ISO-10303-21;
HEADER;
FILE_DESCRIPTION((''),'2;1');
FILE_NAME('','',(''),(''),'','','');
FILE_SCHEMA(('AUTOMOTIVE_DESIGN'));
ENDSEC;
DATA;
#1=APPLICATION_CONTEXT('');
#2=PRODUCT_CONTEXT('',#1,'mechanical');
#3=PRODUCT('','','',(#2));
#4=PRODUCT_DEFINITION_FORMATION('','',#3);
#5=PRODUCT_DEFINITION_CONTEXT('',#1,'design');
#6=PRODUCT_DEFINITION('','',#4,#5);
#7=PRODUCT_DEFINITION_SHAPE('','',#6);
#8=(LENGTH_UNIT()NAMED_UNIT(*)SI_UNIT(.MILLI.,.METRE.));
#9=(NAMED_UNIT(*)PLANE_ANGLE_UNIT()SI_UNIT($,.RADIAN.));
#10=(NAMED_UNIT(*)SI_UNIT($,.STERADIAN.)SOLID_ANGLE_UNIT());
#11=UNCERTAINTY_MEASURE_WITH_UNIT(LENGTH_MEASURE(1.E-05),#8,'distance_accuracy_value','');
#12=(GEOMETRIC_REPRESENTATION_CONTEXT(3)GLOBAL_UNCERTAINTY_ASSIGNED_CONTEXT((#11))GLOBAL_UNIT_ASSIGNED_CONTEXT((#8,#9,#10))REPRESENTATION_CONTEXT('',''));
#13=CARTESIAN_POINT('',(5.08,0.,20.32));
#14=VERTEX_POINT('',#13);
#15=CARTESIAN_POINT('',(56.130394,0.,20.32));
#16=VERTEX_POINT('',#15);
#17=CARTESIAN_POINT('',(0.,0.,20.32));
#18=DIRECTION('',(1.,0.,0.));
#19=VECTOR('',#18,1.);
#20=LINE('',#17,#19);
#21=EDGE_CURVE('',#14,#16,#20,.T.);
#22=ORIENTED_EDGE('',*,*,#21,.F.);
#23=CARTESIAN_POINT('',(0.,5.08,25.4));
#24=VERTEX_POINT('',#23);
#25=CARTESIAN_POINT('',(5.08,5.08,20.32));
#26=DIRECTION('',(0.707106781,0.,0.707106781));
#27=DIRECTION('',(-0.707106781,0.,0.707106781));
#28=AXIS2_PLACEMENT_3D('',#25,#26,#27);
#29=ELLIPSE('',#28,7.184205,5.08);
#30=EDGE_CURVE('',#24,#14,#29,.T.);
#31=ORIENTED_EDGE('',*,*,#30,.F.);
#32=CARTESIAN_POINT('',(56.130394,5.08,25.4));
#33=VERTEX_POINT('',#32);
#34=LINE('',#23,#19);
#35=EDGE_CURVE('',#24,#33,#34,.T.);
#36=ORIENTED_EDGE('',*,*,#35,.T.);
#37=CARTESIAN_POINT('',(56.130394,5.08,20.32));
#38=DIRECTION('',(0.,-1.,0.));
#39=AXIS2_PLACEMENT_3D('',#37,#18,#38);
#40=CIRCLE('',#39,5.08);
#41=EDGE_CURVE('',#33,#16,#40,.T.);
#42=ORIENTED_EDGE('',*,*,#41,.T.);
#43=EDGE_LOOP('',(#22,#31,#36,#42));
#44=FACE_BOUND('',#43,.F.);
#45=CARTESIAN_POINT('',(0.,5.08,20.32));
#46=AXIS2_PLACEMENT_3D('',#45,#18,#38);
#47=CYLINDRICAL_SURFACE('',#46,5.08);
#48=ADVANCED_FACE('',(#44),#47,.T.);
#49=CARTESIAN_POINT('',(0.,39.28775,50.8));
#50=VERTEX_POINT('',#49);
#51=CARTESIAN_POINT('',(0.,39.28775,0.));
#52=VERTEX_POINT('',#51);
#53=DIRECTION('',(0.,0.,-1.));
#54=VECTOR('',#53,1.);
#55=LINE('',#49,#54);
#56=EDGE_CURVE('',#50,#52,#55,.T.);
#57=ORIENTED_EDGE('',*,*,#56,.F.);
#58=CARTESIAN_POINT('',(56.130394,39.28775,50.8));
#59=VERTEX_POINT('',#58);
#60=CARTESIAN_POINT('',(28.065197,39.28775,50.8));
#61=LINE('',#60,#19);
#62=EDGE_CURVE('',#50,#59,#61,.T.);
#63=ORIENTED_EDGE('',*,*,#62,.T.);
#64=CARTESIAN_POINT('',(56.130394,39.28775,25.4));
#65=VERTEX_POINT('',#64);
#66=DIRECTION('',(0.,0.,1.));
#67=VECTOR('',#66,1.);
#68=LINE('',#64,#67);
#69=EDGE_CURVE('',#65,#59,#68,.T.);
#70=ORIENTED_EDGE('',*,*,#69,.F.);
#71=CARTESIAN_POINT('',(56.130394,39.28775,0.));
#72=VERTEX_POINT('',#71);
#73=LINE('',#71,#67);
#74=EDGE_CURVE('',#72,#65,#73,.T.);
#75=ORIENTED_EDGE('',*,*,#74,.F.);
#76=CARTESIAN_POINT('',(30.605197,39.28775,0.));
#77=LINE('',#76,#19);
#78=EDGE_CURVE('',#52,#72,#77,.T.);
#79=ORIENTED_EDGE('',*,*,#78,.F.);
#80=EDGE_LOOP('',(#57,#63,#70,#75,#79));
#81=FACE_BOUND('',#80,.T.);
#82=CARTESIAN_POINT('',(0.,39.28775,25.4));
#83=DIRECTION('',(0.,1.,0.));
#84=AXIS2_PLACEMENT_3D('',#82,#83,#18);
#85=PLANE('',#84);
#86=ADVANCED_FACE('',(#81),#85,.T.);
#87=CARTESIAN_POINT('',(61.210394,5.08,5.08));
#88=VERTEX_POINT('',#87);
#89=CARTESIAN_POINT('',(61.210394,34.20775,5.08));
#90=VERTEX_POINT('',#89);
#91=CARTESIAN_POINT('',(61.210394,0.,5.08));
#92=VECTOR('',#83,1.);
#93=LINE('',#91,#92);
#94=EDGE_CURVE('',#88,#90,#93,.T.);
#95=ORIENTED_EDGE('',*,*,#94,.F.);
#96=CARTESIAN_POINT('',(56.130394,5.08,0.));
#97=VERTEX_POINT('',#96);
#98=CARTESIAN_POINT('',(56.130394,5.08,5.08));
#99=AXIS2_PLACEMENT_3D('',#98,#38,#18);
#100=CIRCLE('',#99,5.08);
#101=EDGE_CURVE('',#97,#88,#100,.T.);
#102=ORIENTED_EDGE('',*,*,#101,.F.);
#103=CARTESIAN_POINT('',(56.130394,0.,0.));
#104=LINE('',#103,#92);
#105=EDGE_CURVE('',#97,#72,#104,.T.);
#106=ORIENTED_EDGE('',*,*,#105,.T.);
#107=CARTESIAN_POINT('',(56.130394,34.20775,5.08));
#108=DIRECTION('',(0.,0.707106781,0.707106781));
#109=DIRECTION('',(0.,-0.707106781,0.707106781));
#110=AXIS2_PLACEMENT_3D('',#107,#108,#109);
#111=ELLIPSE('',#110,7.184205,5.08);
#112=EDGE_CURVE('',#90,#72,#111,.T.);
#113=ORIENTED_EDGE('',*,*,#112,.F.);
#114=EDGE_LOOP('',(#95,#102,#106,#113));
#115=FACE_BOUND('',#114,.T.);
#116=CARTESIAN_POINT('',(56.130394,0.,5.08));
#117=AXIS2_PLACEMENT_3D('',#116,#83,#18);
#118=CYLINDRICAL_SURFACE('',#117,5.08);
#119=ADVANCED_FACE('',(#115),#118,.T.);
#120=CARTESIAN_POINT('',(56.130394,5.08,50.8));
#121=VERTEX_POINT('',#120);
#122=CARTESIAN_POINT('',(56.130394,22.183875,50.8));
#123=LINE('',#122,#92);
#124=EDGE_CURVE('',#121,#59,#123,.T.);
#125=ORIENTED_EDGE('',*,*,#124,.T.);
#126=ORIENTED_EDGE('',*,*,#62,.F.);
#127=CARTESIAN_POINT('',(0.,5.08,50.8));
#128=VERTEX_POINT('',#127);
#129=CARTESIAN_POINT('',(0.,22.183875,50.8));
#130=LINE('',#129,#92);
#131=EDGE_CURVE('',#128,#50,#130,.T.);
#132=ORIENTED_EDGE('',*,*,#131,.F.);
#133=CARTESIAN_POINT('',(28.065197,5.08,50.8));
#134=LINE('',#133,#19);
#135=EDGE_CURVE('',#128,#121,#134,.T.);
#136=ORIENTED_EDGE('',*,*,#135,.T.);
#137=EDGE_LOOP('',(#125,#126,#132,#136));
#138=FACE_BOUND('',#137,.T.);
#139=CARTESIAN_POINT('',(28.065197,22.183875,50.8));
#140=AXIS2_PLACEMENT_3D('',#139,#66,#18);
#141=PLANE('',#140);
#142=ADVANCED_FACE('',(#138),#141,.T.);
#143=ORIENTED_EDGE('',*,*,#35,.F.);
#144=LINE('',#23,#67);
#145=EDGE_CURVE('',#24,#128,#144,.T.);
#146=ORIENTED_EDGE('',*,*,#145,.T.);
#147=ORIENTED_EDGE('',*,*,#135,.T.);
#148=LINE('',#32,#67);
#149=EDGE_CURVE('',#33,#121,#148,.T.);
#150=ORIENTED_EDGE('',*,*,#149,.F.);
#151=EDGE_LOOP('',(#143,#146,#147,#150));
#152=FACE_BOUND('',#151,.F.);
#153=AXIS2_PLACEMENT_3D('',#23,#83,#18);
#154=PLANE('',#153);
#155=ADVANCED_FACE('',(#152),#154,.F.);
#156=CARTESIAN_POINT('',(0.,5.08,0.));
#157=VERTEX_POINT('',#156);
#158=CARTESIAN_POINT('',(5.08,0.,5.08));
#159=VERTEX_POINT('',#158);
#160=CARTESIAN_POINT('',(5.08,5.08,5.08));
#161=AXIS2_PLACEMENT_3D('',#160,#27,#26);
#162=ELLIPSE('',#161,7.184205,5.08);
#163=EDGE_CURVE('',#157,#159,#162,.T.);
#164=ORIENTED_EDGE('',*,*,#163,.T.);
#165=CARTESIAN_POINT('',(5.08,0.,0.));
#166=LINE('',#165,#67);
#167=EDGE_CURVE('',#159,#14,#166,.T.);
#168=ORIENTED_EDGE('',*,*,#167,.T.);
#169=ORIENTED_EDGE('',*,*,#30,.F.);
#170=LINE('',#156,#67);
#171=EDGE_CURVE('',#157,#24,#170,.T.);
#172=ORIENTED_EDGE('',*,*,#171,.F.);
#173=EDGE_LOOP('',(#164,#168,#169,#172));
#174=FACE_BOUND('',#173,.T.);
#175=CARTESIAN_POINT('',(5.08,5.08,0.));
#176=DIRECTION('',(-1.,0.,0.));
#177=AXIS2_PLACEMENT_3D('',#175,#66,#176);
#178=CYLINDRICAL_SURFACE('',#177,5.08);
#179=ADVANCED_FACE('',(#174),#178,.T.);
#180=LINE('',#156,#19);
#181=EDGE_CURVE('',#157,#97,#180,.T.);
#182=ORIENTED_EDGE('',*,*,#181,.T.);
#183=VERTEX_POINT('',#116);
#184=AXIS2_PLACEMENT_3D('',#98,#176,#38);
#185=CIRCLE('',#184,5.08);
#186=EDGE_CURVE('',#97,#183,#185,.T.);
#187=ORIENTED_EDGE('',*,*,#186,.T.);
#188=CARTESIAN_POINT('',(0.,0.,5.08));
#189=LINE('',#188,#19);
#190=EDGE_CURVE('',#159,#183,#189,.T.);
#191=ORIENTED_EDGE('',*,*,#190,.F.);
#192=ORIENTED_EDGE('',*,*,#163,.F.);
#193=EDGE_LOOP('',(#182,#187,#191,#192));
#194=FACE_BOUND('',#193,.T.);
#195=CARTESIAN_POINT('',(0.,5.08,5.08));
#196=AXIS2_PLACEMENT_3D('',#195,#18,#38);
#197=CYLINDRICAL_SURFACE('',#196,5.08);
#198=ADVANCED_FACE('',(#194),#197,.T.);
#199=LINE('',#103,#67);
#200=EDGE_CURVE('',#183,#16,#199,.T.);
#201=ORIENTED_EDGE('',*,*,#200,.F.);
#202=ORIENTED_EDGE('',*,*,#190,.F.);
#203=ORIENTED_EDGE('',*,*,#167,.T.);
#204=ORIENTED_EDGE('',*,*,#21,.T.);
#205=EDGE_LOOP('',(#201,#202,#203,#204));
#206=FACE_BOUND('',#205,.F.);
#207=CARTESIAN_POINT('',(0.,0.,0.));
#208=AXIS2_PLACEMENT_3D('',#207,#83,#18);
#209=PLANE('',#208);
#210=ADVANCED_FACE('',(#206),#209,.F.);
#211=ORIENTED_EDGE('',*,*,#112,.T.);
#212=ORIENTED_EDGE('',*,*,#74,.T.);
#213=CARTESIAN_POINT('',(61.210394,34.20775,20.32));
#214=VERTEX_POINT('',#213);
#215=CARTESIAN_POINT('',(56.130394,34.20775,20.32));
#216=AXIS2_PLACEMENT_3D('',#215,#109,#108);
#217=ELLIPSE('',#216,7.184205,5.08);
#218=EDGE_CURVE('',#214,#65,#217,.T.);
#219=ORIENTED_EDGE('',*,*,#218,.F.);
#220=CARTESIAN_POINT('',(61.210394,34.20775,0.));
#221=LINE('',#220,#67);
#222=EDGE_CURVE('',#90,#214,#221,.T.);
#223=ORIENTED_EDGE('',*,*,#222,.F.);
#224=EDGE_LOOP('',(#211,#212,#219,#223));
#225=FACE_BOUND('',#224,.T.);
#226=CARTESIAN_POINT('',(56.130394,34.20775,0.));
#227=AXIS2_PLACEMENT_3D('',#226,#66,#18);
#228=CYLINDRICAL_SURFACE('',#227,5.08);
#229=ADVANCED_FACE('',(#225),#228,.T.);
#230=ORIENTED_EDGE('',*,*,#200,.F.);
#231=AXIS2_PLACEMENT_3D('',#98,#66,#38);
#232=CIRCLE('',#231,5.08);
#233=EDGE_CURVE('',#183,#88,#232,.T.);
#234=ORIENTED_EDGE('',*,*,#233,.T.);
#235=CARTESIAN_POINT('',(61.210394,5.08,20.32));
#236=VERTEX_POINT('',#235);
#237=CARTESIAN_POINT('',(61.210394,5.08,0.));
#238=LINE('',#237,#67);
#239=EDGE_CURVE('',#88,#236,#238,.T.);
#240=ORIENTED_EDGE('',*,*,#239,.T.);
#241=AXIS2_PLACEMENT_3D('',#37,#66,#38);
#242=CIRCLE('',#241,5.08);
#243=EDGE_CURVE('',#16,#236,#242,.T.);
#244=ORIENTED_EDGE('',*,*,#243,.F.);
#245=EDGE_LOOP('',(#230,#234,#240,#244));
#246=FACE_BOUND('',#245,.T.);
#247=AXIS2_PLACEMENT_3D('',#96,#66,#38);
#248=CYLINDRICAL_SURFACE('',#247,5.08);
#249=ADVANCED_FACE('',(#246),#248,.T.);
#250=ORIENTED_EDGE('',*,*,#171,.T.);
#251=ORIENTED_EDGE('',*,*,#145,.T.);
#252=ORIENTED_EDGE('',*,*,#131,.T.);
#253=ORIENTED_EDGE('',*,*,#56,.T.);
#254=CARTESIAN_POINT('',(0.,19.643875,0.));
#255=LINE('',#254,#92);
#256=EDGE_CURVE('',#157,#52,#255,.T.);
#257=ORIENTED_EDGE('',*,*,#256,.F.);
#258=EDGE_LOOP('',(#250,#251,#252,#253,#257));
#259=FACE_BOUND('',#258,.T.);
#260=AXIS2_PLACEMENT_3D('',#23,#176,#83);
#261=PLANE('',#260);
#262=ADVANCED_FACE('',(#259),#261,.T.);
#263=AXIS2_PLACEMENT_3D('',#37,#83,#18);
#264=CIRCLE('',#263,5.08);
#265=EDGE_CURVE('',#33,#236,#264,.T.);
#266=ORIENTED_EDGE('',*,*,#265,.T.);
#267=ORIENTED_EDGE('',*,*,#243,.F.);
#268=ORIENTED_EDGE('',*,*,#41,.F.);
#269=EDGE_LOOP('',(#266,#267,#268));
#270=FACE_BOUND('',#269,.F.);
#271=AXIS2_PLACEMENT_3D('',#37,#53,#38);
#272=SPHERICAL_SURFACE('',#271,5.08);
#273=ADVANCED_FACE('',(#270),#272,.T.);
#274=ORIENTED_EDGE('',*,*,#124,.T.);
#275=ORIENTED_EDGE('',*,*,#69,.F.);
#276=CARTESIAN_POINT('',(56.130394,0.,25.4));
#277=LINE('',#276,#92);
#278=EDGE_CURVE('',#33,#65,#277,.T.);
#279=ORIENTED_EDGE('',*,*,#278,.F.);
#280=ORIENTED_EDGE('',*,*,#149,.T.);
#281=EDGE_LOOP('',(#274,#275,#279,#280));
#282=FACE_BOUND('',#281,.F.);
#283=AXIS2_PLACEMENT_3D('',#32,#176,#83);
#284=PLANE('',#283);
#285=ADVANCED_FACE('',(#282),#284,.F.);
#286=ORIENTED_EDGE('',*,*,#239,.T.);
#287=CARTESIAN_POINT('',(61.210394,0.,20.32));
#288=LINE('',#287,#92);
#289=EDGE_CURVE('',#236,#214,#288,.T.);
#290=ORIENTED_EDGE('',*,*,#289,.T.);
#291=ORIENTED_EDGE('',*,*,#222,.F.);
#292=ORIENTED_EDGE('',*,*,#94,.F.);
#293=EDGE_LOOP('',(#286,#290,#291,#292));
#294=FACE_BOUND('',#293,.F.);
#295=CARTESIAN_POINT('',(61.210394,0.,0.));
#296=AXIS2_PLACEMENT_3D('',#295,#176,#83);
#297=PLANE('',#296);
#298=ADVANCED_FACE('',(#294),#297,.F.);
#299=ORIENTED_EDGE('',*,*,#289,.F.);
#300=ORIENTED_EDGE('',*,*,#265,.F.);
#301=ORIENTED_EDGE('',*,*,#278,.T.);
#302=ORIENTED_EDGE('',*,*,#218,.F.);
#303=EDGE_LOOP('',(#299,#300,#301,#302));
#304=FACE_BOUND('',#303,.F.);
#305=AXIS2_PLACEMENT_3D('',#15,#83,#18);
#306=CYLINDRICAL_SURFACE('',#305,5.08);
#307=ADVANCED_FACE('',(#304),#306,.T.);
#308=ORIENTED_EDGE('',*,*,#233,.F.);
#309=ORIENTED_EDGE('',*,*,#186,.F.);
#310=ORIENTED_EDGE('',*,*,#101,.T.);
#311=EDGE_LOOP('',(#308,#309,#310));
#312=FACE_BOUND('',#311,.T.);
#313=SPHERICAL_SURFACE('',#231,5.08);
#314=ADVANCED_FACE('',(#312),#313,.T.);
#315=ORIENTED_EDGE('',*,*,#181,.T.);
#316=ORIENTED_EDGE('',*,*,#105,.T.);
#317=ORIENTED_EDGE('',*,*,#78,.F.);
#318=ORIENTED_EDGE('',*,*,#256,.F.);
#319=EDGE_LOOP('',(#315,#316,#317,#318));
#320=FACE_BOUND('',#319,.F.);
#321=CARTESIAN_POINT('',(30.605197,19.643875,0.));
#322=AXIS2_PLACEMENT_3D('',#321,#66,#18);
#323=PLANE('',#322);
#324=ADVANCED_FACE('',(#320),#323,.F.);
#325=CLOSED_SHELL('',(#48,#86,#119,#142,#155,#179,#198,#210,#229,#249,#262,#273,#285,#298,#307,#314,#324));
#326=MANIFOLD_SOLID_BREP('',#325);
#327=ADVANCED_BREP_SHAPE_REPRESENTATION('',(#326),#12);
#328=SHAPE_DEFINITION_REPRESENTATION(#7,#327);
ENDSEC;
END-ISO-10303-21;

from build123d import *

# Parameters (mm, degrees)
F0_W      = 61.210394
F0_H      = 39.28775
F1_DEPTH  = 25.4
F2_R      = 5.08
F1_FACE_W = 56.130394
F1_FACE_H = 34.20775
F3_DEPTH  = 25.4


with BuildPart() as f1:
    # F0 (on Top) → F1 (new body)
    with BuildSketch(Plane.XY):
        with Locations((30.605197, 19.643875)):
            Rectangle(F0_W, F0_H)
    extrude(amount=F1_DEPTH)

    # F2
    f2_edges = [f1.edges().sort_by_distance(p)[0] for p in [
        (0, 0, 12.7),
        (61.210394, 0, 12.7),
        (30.605197, 0, 0),
        (30.605197, 0, 25.4),
        (61.210394, 19.643875, 25.4),
        (61.210394, 39.28775, 12.7),
        (61.210394, 19.643875, 0),
    ]]
    fillet(f2_edges, radius=F2_R)

    # F1_face (on face) → F3 (join)
    with BuildSketch(Plane(origin=(28.065197, 22.183875, 25.4), x_dir=(1, 0, 0), z_dir=(0, 0, 1))):
        Rectangle(F1_FACE_W, F1_FACE_H)
    extrude(amount=F3_DEPTH)


solid = f1.part
